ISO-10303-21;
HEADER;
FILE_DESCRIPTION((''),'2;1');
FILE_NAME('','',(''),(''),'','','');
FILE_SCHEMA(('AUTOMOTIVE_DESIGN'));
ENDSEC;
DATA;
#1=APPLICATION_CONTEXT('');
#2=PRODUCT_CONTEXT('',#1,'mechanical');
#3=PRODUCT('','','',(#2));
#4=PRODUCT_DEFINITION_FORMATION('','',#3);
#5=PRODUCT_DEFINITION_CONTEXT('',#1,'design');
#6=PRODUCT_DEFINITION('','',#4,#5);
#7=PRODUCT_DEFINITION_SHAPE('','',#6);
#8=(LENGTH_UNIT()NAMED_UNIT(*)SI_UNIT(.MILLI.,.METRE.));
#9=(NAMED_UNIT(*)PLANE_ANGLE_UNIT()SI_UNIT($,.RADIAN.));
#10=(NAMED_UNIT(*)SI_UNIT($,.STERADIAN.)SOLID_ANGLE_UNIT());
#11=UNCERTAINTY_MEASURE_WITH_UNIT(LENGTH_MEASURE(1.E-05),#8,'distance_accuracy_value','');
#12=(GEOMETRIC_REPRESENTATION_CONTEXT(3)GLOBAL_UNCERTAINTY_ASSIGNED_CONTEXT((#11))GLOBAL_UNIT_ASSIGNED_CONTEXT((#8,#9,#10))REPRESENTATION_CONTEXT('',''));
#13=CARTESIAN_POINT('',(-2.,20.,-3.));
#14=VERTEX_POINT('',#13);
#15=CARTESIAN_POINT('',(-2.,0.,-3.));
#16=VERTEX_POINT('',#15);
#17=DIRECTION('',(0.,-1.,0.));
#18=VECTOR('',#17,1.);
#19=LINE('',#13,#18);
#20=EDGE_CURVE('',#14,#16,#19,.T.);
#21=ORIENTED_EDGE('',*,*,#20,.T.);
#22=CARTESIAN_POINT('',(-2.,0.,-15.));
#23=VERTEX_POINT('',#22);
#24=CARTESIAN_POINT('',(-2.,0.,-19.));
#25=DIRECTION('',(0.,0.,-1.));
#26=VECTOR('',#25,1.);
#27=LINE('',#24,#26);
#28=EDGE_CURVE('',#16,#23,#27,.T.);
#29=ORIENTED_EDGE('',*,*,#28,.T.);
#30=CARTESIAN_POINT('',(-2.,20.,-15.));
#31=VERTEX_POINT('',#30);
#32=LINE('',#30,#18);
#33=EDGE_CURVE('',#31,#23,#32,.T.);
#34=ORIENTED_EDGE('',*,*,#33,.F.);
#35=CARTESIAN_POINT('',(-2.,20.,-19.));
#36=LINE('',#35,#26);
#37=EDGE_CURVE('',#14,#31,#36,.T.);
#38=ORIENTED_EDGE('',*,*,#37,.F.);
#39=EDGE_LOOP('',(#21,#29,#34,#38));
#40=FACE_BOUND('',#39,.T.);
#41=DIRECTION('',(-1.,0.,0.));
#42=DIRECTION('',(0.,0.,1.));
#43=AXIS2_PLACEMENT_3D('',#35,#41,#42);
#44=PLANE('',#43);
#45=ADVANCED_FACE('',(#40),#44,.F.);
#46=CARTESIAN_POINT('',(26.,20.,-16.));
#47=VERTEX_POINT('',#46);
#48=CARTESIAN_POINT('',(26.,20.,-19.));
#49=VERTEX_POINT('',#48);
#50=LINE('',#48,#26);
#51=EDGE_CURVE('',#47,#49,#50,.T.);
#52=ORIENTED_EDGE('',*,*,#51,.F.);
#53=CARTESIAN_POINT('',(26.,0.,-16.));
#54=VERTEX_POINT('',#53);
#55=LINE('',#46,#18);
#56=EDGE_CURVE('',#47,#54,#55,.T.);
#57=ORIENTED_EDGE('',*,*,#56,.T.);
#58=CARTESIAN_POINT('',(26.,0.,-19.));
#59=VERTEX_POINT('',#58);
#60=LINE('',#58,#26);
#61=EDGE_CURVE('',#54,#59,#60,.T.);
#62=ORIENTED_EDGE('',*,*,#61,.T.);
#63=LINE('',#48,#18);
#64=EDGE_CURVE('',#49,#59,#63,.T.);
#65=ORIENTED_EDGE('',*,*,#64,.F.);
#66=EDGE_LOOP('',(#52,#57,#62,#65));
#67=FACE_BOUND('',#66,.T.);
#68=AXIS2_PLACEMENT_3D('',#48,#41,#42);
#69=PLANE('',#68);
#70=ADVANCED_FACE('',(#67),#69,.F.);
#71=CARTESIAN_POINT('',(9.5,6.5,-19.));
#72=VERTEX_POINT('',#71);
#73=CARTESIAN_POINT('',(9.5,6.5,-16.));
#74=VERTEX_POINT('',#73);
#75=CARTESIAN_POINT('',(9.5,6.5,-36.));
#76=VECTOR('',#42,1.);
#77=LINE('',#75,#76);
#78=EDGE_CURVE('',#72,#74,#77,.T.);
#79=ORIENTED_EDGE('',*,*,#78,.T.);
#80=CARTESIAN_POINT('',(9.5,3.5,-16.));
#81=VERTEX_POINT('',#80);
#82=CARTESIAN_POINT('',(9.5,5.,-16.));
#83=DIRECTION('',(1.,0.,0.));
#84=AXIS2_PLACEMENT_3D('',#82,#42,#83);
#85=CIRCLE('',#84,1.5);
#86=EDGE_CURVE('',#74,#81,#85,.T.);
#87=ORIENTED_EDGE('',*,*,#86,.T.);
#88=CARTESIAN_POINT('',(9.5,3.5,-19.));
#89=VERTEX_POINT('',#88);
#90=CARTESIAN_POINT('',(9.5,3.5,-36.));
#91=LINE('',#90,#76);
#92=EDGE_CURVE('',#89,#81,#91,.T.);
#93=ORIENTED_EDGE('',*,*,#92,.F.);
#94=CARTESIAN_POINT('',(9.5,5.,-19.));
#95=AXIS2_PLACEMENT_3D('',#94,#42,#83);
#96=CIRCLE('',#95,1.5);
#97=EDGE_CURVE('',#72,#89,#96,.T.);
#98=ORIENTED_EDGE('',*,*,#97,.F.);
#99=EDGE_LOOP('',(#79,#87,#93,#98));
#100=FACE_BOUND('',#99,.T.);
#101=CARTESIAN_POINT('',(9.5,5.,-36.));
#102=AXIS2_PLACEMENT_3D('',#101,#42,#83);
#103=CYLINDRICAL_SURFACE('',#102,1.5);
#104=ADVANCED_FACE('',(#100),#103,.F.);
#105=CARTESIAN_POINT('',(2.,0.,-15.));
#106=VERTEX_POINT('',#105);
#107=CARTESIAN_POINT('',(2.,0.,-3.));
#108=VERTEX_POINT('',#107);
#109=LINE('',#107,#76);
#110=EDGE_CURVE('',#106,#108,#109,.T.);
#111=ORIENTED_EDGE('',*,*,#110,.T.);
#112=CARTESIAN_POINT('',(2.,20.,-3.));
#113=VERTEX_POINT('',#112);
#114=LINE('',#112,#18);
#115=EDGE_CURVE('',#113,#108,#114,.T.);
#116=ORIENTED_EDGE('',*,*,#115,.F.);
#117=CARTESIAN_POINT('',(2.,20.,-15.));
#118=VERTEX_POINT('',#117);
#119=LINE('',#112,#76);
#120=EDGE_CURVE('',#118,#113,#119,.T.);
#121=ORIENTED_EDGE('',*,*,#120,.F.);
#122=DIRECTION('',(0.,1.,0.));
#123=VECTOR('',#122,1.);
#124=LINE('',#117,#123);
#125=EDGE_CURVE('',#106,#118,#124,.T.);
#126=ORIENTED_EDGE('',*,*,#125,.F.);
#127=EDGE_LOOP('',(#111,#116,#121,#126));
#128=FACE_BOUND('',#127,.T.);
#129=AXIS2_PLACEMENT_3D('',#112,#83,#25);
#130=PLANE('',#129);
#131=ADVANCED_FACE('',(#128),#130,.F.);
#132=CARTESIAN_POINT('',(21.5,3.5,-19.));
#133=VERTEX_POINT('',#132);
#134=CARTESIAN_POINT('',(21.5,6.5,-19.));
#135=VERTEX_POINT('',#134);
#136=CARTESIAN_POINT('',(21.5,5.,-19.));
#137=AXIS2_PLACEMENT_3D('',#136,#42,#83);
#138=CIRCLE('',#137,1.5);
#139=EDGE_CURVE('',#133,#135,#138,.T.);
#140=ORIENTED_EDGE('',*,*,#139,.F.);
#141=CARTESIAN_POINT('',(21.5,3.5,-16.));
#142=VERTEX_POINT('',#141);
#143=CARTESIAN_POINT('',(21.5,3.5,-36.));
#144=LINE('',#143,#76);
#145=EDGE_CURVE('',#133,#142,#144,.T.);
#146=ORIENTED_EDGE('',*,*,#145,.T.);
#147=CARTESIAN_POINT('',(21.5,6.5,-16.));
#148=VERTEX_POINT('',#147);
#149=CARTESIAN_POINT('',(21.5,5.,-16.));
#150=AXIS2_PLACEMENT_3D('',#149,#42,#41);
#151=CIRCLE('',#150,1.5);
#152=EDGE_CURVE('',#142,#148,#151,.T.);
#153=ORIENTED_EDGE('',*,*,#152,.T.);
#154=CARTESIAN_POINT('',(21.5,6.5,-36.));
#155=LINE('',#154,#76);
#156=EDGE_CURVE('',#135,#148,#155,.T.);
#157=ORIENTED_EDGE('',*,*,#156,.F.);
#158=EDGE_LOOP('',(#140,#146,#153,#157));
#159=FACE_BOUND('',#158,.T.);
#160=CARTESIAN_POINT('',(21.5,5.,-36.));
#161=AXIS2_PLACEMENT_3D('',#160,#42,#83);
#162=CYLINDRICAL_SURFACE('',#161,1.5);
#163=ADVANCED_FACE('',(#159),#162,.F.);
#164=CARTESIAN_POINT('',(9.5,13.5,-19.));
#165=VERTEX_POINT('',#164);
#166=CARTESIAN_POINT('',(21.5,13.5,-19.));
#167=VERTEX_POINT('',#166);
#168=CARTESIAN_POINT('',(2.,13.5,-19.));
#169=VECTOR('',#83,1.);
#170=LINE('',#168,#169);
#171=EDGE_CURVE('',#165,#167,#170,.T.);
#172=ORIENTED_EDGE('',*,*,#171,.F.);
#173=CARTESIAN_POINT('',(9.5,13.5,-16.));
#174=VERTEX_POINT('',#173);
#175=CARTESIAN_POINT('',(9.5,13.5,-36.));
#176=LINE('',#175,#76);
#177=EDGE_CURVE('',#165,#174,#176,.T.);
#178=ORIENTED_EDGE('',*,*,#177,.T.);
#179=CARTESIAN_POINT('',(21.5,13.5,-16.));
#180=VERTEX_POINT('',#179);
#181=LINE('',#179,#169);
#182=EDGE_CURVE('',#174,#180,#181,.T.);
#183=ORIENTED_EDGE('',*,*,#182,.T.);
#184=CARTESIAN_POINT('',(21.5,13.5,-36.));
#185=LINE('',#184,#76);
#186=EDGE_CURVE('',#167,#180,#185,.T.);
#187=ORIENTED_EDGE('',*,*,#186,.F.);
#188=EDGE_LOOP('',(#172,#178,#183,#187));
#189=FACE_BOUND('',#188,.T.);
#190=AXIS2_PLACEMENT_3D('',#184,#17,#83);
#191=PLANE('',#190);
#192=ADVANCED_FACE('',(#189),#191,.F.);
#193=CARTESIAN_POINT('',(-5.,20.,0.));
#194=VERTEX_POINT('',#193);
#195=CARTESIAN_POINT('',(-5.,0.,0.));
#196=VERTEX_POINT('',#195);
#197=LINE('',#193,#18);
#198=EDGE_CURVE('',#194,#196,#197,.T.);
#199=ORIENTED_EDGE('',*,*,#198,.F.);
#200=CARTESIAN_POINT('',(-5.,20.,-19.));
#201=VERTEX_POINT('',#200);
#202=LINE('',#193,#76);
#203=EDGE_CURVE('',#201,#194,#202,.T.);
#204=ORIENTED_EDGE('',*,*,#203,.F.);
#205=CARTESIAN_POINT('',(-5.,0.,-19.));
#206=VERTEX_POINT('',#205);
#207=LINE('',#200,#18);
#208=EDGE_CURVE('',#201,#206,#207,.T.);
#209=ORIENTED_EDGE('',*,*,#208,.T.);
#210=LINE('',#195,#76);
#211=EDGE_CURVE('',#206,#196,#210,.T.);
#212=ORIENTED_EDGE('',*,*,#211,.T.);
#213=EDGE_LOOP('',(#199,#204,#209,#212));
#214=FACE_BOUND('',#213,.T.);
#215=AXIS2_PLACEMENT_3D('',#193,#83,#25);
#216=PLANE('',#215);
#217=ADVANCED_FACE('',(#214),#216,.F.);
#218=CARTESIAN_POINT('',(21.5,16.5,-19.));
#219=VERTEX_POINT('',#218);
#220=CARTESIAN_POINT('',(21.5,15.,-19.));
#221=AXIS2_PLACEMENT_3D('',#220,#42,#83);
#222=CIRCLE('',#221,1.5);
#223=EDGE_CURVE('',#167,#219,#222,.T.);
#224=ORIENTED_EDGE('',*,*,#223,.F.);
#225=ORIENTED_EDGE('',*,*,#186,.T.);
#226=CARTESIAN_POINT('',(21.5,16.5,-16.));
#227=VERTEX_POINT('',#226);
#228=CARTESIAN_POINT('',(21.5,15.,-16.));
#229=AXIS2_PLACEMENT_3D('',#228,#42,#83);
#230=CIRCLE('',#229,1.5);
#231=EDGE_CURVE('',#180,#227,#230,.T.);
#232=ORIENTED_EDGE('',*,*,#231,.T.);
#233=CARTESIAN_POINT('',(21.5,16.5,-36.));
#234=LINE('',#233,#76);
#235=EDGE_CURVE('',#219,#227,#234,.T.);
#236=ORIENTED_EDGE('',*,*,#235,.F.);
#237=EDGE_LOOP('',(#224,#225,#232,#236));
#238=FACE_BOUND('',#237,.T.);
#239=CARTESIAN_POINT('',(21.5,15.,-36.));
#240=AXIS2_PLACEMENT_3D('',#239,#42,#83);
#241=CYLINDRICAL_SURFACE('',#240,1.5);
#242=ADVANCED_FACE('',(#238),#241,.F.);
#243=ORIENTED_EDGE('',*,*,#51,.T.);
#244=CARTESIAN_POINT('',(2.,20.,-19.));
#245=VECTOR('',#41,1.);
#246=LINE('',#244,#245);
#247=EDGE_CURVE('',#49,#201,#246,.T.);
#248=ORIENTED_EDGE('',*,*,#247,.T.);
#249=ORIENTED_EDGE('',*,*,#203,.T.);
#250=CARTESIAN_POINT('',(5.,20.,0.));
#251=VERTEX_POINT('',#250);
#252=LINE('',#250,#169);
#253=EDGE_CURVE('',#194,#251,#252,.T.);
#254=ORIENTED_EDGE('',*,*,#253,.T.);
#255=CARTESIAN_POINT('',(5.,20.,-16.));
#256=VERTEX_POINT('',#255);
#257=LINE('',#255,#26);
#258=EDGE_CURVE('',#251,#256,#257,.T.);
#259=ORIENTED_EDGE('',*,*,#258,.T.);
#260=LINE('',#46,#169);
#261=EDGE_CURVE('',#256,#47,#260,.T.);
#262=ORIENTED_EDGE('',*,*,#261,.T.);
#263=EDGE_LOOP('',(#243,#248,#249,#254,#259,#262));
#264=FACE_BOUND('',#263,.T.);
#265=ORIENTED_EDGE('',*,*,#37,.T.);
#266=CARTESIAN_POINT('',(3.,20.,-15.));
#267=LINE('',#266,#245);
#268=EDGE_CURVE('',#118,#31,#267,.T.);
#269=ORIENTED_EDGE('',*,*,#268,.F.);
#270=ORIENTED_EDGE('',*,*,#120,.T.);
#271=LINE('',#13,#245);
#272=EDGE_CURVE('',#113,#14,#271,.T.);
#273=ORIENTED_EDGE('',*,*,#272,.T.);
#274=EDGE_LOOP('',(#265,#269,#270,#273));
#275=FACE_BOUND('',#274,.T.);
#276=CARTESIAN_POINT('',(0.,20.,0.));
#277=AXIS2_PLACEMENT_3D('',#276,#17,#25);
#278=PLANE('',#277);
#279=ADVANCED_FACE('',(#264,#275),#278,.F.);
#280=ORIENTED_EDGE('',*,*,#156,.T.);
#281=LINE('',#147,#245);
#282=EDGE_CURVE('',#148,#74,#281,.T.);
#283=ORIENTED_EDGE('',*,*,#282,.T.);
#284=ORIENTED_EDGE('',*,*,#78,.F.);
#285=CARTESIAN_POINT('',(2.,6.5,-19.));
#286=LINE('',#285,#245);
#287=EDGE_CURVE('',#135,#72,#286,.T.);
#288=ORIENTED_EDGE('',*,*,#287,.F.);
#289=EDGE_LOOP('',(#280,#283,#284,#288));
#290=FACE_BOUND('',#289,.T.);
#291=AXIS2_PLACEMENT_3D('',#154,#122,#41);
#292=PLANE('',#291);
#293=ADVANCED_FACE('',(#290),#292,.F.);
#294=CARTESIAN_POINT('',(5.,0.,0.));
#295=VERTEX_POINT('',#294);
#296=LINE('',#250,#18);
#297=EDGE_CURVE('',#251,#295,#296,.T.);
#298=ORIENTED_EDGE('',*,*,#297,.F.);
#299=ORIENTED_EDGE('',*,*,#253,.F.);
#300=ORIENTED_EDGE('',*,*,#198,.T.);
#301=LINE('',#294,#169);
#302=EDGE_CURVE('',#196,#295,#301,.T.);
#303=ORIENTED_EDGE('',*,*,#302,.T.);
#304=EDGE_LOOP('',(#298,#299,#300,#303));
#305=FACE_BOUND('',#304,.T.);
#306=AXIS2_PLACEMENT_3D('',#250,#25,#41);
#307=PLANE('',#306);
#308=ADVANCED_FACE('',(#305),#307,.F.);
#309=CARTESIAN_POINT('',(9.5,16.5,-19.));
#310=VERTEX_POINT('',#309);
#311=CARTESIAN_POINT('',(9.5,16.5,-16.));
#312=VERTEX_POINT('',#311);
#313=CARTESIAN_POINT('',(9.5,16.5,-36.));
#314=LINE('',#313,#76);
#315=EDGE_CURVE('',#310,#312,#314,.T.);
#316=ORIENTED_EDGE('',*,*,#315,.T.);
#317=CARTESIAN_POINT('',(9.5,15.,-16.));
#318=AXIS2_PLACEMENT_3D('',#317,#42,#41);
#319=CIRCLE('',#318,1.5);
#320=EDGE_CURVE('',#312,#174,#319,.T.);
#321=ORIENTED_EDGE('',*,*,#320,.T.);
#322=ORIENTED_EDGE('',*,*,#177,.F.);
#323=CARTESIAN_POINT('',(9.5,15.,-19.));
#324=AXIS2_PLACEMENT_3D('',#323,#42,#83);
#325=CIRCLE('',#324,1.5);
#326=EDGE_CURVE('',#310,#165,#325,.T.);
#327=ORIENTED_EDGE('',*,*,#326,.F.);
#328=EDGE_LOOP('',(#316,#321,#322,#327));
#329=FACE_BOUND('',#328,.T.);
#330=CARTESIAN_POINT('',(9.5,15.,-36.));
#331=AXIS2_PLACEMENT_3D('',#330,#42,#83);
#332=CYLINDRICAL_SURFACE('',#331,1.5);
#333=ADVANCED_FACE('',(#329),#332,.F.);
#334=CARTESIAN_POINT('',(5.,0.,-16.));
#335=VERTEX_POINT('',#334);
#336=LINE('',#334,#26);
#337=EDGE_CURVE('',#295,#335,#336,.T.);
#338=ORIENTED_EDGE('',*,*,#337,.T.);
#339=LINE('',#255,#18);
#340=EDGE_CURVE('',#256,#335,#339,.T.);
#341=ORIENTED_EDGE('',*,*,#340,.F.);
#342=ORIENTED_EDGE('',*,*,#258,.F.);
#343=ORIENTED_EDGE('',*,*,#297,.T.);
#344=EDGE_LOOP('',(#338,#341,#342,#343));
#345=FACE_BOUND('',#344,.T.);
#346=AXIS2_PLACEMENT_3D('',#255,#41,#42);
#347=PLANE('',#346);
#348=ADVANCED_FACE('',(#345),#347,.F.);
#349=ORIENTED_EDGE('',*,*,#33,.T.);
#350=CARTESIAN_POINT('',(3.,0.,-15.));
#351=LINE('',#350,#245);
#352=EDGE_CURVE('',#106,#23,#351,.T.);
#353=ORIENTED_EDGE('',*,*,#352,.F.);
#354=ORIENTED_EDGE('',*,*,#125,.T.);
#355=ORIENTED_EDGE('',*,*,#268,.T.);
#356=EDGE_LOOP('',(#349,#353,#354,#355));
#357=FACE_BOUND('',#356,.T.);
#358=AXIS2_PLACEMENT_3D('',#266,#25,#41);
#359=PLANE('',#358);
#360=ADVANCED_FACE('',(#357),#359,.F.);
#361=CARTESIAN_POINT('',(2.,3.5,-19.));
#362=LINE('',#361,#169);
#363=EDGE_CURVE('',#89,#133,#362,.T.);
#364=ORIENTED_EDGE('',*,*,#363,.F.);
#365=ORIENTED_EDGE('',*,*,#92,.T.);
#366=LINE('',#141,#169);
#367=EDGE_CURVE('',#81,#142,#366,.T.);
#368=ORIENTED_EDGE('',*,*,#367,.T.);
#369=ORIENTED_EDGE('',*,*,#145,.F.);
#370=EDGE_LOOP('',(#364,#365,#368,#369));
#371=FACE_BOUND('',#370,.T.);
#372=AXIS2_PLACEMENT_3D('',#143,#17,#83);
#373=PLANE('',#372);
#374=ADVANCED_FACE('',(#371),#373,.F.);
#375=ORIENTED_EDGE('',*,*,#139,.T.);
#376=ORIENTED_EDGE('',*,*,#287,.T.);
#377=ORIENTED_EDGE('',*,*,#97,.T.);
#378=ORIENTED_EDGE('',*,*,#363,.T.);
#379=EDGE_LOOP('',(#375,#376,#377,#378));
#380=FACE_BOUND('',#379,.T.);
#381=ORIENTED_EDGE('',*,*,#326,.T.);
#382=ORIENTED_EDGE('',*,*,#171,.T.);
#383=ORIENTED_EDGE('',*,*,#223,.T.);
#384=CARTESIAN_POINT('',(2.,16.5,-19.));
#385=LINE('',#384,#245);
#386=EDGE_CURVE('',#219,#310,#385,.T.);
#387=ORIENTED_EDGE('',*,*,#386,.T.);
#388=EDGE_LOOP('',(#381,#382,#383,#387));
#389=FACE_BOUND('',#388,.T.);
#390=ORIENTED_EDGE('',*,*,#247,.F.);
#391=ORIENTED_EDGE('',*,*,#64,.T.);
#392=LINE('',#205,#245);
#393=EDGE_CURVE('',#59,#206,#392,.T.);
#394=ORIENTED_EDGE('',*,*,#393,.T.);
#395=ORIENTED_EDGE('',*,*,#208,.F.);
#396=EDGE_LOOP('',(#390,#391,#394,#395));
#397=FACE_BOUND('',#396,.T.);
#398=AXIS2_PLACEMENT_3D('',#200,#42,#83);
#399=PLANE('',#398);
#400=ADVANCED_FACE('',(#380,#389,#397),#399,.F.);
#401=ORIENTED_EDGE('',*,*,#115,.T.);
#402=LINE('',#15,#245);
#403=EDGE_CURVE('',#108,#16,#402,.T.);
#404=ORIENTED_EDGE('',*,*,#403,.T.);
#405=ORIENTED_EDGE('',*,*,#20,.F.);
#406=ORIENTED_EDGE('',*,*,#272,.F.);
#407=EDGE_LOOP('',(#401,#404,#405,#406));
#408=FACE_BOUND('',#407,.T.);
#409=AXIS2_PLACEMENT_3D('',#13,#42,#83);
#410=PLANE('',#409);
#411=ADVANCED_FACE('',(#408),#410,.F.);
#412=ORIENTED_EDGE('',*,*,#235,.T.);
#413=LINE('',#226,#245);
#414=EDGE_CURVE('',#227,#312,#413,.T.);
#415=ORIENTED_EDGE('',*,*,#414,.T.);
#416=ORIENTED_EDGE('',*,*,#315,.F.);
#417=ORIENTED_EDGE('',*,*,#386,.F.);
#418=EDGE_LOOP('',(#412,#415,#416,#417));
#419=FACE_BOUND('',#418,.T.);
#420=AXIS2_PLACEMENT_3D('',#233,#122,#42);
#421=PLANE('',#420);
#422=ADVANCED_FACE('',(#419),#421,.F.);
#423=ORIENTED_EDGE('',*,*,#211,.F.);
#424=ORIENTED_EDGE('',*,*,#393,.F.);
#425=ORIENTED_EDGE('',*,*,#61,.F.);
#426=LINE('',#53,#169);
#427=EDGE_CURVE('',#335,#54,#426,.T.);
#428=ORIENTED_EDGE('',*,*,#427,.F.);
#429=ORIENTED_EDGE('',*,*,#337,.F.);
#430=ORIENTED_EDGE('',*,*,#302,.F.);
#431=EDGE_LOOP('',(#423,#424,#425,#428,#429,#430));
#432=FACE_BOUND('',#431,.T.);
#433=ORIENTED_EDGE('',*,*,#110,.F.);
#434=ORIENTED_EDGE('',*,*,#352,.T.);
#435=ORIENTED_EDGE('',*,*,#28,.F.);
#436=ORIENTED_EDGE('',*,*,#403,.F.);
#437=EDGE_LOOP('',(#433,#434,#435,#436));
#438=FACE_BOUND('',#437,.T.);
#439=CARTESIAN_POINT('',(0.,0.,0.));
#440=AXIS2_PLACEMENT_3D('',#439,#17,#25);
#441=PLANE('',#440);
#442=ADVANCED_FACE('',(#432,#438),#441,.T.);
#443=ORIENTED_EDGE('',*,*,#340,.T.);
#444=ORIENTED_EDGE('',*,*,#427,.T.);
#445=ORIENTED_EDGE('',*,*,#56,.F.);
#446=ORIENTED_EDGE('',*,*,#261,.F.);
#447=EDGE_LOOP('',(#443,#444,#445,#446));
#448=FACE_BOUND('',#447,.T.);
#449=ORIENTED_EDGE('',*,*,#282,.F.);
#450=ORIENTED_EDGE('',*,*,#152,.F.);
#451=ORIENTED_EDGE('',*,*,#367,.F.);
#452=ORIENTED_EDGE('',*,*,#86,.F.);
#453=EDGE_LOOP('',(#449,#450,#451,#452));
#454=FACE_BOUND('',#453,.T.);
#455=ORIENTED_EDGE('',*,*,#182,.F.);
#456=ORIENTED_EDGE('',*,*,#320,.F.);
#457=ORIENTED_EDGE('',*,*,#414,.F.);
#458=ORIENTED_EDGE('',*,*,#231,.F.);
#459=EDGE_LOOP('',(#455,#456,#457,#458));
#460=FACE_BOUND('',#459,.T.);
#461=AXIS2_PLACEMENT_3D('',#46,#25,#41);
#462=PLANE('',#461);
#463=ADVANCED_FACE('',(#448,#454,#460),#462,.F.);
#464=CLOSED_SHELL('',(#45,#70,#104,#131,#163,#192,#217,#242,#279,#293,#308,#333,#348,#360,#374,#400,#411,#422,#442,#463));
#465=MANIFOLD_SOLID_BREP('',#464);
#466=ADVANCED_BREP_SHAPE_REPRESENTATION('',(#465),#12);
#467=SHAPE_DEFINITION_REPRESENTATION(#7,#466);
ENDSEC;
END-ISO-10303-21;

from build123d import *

# Parameters (mm, degrees)
SALIENTE_EXTRUIR1_DEPTH = 20
CORTAR_EXTRUIR1_DEPTH   = 20
CROQUIS3_W              = 4
CROQUIS3_H              = 20
SALIENTE_EXTRUIR2_DEPTH = 5


with BuildPart() as part:
    # Croquis1 → Saliente-Extruir1 (new body)
    with BuildSketch(Plane(origin=(0, 0, 0), x_dir=(1, 0, 0), z_dir=(0, 1, 0))):
        Polygon((-5, 19), (-2, 19), (-2, 3), (2, 3), (2, 19), (26, 19), (26, 16), (5, 16), (5, 0), (-5, 0), align=None)
    extrude(amount=SALIENTE_EXTRUIR1_DEPTH)

    # Croquis2 → Cortar-Extruir1 (cut)
    with BuildSketch(Plane.XY.offset(-16)):
        with BuildLine():
            Line((21.5, 16.5), (9.5, 16.5))
            ThreePointArc((9.5, 16.5), (8, 15), (9.5, 13.5))
            Line((9.5, 13.5), (21.5, 13.5))
            ThreePointArc((21.5, 13.5), (23, 15), (21.5, 16.5))
        make_face()
        with BuildLine():
            Line((21.5, 3.5), (9.5, 3.5))
            ThreePointArc((9.5, 3.5), (8, 5), (9.5, 6.5))
            Line((9.5, 6.5), (21.5, 6.5))
            ThreePointArc((21.5, 6.5), (23, 5), (21.5, 3.5))
        make_face()
    extrude(amount=-CORTAR_EXTRUIR1_DEPTH, mode=Mode.SUBTRACT)

    # Croquis3 → Saliente-Extruir2 (add)
    with BuildSketch(Plane(origin=(-2, 0, 0), x_dir=(0, 0, -1), z_dir=(1, 0, 0))):
        with Locations((17, 10)):
            Rectangle(CROQUIS3_W, CROQUIS3_H)
    extrude(amount=SALIENTE_EXTRUIR2_DEPTH)


solid = part.part
